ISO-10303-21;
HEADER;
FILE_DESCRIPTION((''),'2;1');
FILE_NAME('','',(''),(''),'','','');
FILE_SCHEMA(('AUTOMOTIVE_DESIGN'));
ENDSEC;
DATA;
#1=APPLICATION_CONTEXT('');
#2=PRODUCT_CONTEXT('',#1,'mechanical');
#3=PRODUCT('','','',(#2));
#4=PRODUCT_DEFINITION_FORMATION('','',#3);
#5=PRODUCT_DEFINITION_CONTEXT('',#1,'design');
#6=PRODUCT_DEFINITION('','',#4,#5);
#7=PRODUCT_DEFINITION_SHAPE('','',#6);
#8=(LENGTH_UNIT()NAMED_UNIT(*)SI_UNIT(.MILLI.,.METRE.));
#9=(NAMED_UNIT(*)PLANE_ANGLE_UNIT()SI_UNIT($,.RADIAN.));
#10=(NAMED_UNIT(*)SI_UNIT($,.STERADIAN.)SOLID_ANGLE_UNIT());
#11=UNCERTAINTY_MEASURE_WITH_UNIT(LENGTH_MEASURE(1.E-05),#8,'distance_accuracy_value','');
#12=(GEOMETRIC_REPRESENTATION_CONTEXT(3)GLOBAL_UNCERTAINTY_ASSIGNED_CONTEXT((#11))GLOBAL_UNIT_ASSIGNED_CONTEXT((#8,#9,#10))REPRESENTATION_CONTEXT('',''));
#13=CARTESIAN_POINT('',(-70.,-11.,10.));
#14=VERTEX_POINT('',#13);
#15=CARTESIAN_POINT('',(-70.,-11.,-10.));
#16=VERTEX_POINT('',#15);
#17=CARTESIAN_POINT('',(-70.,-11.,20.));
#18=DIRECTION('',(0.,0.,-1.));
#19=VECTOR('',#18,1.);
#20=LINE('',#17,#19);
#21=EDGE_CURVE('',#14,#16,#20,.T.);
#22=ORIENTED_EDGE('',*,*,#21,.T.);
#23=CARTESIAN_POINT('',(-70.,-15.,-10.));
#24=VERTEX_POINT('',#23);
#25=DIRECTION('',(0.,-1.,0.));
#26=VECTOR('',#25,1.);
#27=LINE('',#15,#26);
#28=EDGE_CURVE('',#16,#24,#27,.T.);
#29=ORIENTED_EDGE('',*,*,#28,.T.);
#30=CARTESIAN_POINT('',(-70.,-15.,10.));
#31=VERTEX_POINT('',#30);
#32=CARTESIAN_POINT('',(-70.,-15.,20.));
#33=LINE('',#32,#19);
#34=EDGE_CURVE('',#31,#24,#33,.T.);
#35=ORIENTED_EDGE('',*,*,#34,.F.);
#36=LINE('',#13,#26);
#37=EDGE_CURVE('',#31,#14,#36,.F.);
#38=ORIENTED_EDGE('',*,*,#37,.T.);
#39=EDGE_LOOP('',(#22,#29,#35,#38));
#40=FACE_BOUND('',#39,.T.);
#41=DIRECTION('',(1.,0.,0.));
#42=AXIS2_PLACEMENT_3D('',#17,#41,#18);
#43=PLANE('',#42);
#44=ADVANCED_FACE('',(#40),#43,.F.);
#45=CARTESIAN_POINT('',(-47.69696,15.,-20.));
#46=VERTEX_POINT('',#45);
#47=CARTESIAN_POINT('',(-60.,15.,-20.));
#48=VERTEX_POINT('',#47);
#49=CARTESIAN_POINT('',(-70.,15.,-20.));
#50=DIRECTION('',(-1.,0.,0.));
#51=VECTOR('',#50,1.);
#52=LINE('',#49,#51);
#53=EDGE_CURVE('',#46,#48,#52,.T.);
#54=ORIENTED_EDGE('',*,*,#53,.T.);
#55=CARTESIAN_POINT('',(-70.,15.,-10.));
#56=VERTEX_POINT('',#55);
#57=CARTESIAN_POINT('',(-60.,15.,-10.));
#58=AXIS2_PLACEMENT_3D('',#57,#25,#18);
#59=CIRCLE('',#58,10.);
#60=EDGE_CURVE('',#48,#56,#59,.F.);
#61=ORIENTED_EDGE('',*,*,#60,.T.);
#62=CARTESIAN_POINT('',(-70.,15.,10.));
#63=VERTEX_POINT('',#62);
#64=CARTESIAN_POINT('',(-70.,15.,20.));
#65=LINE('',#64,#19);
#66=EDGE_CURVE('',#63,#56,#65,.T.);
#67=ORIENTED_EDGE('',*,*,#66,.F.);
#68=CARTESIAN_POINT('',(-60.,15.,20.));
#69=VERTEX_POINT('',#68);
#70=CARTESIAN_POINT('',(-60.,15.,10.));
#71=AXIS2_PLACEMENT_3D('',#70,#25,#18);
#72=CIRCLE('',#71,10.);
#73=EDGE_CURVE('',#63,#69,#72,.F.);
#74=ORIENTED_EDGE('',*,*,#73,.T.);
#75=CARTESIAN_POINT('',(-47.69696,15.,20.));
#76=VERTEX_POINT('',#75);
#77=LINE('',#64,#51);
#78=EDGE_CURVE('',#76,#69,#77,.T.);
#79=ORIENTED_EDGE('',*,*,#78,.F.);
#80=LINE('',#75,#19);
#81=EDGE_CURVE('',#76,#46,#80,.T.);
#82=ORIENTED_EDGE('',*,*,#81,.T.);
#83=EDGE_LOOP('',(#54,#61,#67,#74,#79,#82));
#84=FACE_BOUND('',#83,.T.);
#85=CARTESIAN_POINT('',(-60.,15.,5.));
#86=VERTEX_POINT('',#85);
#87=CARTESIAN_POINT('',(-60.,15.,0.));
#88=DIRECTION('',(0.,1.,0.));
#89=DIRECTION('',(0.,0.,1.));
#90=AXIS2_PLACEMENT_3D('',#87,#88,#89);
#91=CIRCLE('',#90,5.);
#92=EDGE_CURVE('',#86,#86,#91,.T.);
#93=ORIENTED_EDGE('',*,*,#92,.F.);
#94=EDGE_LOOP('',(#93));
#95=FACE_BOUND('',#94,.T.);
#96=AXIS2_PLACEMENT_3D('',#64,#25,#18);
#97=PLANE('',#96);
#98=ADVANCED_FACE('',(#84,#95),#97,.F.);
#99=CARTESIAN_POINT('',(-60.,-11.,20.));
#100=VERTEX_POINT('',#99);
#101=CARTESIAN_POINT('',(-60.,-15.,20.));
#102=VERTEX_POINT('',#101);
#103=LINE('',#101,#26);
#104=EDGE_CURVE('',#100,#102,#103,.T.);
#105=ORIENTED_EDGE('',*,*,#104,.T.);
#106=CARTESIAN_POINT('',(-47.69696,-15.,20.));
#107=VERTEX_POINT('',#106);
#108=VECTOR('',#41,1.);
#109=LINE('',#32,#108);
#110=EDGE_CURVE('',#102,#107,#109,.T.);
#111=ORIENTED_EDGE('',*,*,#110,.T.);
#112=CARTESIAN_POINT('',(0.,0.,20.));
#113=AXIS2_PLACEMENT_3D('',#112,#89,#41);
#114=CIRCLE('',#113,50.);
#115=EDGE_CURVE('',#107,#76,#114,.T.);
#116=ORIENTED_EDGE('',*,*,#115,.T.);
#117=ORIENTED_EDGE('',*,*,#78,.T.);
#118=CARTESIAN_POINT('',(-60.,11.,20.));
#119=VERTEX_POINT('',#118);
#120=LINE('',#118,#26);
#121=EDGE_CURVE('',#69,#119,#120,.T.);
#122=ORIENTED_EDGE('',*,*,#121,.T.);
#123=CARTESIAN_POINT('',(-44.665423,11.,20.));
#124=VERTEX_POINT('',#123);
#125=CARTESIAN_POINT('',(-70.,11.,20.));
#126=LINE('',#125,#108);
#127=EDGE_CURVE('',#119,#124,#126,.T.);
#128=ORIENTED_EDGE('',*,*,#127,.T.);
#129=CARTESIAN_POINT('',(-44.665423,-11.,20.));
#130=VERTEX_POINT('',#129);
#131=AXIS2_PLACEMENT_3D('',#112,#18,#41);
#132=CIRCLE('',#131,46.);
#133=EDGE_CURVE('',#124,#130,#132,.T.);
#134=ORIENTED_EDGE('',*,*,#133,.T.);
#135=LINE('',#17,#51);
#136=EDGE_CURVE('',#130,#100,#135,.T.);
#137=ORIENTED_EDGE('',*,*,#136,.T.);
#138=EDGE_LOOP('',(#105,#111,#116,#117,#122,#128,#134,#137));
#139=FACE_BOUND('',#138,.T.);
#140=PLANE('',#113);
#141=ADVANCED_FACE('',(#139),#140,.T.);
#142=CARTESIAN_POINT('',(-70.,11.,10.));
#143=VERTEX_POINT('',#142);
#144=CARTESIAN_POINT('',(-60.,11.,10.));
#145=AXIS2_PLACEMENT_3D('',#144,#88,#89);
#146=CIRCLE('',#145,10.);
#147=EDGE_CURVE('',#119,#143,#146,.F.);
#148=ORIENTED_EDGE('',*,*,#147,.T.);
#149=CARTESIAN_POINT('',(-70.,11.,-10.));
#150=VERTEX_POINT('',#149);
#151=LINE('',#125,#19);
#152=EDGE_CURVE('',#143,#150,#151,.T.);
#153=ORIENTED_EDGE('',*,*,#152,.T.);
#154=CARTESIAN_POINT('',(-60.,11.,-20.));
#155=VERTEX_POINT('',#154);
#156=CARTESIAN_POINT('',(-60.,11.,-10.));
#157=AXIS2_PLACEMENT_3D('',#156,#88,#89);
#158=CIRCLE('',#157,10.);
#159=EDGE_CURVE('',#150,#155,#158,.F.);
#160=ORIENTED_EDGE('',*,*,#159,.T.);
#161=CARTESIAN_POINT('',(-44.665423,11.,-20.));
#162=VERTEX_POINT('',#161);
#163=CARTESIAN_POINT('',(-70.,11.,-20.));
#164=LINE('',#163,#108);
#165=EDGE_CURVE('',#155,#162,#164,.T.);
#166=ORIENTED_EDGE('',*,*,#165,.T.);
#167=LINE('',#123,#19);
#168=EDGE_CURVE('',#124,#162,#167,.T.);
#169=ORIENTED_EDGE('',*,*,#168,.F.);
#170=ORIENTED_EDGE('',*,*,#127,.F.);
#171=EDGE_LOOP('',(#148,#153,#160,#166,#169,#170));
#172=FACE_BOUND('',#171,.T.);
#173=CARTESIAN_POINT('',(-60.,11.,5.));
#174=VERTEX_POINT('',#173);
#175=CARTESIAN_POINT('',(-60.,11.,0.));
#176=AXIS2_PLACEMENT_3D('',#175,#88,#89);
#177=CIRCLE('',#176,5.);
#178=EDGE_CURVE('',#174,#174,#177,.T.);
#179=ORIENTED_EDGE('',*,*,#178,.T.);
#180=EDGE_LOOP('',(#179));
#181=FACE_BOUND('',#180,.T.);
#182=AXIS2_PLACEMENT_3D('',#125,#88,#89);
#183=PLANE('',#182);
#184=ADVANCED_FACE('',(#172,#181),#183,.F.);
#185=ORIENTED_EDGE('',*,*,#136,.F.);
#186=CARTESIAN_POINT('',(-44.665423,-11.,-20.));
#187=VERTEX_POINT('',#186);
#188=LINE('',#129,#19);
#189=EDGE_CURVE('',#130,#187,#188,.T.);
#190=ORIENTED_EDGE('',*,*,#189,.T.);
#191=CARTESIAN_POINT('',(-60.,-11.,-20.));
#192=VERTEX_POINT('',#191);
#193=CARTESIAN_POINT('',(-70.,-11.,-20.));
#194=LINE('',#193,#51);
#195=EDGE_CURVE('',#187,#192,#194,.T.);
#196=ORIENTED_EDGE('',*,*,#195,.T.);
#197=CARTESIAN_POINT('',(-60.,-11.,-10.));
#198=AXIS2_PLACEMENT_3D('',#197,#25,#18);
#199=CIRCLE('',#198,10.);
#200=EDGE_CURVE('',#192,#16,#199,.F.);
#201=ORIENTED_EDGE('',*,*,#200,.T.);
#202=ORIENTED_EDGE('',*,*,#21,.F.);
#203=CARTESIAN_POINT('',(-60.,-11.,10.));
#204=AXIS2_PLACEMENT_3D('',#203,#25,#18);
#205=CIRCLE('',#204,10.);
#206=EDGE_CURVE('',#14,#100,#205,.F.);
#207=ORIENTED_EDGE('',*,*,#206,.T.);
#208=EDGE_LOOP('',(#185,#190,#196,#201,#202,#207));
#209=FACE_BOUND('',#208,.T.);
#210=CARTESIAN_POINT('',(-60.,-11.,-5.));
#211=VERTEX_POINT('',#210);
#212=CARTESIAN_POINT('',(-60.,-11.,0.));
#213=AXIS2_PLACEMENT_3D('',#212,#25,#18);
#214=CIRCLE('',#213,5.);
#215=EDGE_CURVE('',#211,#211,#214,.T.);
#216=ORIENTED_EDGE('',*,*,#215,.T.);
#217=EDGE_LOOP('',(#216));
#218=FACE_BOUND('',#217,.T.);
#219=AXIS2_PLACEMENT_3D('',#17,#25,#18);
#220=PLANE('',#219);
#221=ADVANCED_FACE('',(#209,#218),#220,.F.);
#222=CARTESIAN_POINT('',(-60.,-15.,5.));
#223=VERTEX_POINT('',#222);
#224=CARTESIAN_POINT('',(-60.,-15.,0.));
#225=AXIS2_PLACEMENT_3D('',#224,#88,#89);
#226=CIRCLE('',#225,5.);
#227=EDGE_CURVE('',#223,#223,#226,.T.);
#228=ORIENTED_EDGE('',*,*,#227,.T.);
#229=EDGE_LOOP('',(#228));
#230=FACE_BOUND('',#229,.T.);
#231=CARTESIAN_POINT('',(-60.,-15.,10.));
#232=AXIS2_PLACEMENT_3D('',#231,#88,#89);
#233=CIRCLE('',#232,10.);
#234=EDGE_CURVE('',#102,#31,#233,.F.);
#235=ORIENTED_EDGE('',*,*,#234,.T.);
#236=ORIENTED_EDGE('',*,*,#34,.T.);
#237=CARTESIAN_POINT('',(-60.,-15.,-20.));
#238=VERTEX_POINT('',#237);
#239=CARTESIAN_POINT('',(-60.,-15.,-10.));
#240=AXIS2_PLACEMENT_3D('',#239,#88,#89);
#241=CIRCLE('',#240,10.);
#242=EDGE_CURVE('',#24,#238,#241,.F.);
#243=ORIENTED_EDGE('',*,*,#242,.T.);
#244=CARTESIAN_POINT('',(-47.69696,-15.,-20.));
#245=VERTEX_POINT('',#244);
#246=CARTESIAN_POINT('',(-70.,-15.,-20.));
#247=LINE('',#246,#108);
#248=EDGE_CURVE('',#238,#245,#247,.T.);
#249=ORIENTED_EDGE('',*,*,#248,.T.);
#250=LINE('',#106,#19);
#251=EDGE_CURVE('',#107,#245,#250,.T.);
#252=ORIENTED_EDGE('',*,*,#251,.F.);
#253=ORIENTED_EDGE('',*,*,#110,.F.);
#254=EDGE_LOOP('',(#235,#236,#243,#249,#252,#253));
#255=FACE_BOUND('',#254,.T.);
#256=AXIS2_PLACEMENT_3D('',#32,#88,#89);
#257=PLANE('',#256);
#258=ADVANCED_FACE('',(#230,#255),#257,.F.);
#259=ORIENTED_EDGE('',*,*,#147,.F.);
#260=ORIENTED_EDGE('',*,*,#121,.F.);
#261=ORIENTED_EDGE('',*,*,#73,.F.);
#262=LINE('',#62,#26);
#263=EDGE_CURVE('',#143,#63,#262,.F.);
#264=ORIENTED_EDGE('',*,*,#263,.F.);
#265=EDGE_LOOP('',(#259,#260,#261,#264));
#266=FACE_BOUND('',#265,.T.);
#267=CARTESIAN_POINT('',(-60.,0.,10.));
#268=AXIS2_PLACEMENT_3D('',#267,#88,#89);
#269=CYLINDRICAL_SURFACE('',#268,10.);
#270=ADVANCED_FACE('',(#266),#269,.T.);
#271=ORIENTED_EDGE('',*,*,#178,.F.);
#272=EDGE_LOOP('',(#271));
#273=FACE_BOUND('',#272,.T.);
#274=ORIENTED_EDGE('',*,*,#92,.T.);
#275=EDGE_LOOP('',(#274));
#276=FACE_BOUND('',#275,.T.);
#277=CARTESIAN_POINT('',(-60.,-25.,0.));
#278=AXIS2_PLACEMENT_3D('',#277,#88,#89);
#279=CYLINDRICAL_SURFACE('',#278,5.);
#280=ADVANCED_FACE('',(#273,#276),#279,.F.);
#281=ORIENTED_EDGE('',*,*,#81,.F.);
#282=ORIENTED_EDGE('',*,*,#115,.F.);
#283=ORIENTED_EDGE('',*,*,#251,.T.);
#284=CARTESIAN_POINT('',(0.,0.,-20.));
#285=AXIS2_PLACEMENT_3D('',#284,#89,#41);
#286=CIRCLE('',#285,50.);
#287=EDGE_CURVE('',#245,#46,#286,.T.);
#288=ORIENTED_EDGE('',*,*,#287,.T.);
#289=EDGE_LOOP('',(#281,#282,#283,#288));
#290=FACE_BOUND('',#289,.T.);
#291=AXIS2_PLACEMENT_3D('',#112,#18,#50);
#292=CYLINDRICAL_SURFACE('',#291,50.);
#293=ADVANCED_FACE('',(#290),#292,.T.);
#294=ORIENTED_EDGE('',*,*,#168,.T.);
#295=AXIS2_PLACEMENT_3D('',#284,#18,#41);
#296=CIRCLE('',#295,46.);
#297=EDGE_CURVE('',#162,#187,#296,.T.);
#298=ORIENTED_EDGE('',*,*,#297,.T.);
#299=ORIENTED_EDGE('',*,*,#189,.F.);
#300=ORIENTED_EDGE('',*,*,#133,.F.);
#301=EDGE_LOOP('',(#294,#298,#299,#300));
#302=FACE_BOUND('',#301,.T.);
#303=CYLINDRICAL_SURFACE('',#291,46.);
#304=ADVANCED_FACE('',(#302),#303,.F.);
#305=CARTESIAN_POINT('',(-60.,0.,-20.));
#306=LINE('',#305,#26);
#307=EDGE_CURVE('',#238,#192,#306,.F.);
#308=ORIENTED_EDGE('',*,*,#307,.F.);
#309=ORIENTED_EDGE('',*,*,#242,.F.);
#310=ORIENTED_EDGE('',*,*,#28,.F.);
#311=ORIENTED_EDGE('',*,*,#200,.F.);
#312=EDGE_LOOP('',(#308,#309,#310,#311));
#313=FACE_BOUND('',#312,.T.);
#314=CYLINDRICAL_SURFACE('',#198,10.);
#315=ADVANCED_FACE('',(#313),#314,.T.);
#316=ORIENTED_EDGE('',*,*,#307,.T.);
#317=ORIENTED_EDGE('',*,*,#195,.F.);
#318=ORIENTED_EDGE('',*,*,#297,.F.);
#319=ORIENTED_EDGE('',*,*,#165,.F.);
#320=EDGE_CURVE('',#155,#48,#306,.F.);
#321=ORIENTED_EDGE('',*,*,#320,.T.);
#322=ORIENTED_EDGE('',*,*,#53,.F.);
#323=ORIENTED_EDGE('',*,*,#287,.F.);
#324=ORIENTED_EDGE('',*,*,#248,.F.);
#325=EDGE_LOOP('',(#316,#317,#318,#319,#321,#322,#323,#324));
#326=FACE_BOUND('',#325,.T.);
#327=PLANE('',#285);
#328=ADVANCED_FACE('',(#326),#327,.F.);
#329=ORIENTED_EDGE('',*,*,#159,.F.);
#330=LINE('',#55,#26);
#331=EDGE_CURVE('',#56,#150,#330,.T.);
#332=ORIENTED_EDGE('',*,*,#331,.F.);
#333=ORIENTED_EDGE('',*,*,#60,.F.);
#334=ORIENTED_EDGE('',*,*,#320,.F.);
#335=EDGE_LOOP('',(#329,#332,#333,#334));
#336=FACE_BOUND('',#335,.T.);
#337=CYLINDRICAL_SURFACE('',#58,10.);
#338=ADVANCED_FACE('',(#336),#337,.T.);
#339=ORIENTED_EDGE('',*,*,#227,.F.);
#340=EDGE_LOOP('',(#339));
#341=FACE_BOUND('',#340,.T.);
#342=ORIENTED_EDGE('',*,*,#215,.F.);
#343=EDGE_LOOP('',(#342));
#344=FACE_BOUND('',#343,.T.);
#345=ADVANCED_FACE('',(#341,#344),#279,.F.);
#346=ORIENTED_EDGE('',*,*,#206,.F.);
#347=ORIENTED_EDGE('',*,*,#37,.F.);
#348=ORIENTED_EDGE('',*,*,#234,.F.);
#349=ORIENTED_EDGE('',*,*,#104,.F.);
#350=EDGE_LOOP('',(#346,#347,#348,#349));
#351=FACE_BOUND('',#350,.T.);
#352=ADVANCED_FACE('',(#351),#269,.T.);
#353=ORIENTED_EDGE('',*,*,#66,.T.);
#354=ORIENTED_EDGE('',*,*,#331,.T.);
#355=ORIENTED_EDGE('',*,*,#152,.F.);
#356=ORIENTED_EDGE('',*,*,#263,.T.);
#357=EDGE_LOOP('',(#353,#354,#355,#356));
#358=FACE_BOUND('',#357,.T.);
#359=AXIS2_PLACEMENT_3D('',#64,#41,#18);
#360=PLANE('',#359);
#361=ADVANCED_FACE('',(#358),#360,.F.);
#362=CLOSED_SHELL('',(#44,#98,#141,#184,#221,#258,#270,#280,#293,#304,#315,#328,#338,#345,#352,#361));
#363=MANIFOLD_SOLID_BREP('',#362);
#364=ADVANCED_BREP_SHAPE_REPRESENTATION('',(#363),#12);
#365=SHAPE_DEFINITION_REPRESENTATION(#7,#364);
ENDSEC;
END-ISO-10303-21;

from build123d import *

# Parameters (mm, degrees)
BOSS_EXTRUDE1_DEPTH = 20
FILLET1_R           = 10
SKETCH2_R           = 5
CUT_EXTRUDE1_DEPTH  = 40


with BuildPart() as part:
    # Sketch1 → Boss-Extrude1 (new, symmetric)
    with BuildSketch(Plane.XY):
        with BuildLine():
            Line((-70, 15), (-47.696960071, 15))
            ThreePointArc((-47.696960071, 15), (50, 0), (-47.696960071, -15))
            Line((-47.696960071, -15), (-70, -15))
            Line((-70, -15), (-70, -11))
            Line((-70, -11), (-44.665422868, -11))
            ThreePointArc((-44.665422868, -11), (46, 0), (-44.665422868, 11))
            Line((-44.665422868, 11), (-70, 11))
            Line((-70, 11), (-70, 15))
        make_face()
    extrude(amount=BOSS_EXTRUDE1_DEPTH, both=True)

    # Fillet1
    fillet1_edges = [part.edges().sort_by_distance(p)[0] for p in [
        (-70, -13, -20),
        (-70, 13, 20),
        (-70, -13, 20),
        (-70, 13, -20),
    ]]
    fillet(fillet1_edges, radius=FILLET1_R)

    # Sketch2 → Cut-Extrude1 (cut)
    with BuildSketch(Plane(origin=(0, 15, 0), x_dir=(1, 0, 0), z_dir=(0, 1, 0))):
        with Locations(Location((-60, 0, 0), (0, 0, 270))):
            Circle(SKETCH2_R)
    extrude(amount=-CUT_EXTRUDE1_DEPTH, mode=Mode.SUBTRACT)


solid = part.part
